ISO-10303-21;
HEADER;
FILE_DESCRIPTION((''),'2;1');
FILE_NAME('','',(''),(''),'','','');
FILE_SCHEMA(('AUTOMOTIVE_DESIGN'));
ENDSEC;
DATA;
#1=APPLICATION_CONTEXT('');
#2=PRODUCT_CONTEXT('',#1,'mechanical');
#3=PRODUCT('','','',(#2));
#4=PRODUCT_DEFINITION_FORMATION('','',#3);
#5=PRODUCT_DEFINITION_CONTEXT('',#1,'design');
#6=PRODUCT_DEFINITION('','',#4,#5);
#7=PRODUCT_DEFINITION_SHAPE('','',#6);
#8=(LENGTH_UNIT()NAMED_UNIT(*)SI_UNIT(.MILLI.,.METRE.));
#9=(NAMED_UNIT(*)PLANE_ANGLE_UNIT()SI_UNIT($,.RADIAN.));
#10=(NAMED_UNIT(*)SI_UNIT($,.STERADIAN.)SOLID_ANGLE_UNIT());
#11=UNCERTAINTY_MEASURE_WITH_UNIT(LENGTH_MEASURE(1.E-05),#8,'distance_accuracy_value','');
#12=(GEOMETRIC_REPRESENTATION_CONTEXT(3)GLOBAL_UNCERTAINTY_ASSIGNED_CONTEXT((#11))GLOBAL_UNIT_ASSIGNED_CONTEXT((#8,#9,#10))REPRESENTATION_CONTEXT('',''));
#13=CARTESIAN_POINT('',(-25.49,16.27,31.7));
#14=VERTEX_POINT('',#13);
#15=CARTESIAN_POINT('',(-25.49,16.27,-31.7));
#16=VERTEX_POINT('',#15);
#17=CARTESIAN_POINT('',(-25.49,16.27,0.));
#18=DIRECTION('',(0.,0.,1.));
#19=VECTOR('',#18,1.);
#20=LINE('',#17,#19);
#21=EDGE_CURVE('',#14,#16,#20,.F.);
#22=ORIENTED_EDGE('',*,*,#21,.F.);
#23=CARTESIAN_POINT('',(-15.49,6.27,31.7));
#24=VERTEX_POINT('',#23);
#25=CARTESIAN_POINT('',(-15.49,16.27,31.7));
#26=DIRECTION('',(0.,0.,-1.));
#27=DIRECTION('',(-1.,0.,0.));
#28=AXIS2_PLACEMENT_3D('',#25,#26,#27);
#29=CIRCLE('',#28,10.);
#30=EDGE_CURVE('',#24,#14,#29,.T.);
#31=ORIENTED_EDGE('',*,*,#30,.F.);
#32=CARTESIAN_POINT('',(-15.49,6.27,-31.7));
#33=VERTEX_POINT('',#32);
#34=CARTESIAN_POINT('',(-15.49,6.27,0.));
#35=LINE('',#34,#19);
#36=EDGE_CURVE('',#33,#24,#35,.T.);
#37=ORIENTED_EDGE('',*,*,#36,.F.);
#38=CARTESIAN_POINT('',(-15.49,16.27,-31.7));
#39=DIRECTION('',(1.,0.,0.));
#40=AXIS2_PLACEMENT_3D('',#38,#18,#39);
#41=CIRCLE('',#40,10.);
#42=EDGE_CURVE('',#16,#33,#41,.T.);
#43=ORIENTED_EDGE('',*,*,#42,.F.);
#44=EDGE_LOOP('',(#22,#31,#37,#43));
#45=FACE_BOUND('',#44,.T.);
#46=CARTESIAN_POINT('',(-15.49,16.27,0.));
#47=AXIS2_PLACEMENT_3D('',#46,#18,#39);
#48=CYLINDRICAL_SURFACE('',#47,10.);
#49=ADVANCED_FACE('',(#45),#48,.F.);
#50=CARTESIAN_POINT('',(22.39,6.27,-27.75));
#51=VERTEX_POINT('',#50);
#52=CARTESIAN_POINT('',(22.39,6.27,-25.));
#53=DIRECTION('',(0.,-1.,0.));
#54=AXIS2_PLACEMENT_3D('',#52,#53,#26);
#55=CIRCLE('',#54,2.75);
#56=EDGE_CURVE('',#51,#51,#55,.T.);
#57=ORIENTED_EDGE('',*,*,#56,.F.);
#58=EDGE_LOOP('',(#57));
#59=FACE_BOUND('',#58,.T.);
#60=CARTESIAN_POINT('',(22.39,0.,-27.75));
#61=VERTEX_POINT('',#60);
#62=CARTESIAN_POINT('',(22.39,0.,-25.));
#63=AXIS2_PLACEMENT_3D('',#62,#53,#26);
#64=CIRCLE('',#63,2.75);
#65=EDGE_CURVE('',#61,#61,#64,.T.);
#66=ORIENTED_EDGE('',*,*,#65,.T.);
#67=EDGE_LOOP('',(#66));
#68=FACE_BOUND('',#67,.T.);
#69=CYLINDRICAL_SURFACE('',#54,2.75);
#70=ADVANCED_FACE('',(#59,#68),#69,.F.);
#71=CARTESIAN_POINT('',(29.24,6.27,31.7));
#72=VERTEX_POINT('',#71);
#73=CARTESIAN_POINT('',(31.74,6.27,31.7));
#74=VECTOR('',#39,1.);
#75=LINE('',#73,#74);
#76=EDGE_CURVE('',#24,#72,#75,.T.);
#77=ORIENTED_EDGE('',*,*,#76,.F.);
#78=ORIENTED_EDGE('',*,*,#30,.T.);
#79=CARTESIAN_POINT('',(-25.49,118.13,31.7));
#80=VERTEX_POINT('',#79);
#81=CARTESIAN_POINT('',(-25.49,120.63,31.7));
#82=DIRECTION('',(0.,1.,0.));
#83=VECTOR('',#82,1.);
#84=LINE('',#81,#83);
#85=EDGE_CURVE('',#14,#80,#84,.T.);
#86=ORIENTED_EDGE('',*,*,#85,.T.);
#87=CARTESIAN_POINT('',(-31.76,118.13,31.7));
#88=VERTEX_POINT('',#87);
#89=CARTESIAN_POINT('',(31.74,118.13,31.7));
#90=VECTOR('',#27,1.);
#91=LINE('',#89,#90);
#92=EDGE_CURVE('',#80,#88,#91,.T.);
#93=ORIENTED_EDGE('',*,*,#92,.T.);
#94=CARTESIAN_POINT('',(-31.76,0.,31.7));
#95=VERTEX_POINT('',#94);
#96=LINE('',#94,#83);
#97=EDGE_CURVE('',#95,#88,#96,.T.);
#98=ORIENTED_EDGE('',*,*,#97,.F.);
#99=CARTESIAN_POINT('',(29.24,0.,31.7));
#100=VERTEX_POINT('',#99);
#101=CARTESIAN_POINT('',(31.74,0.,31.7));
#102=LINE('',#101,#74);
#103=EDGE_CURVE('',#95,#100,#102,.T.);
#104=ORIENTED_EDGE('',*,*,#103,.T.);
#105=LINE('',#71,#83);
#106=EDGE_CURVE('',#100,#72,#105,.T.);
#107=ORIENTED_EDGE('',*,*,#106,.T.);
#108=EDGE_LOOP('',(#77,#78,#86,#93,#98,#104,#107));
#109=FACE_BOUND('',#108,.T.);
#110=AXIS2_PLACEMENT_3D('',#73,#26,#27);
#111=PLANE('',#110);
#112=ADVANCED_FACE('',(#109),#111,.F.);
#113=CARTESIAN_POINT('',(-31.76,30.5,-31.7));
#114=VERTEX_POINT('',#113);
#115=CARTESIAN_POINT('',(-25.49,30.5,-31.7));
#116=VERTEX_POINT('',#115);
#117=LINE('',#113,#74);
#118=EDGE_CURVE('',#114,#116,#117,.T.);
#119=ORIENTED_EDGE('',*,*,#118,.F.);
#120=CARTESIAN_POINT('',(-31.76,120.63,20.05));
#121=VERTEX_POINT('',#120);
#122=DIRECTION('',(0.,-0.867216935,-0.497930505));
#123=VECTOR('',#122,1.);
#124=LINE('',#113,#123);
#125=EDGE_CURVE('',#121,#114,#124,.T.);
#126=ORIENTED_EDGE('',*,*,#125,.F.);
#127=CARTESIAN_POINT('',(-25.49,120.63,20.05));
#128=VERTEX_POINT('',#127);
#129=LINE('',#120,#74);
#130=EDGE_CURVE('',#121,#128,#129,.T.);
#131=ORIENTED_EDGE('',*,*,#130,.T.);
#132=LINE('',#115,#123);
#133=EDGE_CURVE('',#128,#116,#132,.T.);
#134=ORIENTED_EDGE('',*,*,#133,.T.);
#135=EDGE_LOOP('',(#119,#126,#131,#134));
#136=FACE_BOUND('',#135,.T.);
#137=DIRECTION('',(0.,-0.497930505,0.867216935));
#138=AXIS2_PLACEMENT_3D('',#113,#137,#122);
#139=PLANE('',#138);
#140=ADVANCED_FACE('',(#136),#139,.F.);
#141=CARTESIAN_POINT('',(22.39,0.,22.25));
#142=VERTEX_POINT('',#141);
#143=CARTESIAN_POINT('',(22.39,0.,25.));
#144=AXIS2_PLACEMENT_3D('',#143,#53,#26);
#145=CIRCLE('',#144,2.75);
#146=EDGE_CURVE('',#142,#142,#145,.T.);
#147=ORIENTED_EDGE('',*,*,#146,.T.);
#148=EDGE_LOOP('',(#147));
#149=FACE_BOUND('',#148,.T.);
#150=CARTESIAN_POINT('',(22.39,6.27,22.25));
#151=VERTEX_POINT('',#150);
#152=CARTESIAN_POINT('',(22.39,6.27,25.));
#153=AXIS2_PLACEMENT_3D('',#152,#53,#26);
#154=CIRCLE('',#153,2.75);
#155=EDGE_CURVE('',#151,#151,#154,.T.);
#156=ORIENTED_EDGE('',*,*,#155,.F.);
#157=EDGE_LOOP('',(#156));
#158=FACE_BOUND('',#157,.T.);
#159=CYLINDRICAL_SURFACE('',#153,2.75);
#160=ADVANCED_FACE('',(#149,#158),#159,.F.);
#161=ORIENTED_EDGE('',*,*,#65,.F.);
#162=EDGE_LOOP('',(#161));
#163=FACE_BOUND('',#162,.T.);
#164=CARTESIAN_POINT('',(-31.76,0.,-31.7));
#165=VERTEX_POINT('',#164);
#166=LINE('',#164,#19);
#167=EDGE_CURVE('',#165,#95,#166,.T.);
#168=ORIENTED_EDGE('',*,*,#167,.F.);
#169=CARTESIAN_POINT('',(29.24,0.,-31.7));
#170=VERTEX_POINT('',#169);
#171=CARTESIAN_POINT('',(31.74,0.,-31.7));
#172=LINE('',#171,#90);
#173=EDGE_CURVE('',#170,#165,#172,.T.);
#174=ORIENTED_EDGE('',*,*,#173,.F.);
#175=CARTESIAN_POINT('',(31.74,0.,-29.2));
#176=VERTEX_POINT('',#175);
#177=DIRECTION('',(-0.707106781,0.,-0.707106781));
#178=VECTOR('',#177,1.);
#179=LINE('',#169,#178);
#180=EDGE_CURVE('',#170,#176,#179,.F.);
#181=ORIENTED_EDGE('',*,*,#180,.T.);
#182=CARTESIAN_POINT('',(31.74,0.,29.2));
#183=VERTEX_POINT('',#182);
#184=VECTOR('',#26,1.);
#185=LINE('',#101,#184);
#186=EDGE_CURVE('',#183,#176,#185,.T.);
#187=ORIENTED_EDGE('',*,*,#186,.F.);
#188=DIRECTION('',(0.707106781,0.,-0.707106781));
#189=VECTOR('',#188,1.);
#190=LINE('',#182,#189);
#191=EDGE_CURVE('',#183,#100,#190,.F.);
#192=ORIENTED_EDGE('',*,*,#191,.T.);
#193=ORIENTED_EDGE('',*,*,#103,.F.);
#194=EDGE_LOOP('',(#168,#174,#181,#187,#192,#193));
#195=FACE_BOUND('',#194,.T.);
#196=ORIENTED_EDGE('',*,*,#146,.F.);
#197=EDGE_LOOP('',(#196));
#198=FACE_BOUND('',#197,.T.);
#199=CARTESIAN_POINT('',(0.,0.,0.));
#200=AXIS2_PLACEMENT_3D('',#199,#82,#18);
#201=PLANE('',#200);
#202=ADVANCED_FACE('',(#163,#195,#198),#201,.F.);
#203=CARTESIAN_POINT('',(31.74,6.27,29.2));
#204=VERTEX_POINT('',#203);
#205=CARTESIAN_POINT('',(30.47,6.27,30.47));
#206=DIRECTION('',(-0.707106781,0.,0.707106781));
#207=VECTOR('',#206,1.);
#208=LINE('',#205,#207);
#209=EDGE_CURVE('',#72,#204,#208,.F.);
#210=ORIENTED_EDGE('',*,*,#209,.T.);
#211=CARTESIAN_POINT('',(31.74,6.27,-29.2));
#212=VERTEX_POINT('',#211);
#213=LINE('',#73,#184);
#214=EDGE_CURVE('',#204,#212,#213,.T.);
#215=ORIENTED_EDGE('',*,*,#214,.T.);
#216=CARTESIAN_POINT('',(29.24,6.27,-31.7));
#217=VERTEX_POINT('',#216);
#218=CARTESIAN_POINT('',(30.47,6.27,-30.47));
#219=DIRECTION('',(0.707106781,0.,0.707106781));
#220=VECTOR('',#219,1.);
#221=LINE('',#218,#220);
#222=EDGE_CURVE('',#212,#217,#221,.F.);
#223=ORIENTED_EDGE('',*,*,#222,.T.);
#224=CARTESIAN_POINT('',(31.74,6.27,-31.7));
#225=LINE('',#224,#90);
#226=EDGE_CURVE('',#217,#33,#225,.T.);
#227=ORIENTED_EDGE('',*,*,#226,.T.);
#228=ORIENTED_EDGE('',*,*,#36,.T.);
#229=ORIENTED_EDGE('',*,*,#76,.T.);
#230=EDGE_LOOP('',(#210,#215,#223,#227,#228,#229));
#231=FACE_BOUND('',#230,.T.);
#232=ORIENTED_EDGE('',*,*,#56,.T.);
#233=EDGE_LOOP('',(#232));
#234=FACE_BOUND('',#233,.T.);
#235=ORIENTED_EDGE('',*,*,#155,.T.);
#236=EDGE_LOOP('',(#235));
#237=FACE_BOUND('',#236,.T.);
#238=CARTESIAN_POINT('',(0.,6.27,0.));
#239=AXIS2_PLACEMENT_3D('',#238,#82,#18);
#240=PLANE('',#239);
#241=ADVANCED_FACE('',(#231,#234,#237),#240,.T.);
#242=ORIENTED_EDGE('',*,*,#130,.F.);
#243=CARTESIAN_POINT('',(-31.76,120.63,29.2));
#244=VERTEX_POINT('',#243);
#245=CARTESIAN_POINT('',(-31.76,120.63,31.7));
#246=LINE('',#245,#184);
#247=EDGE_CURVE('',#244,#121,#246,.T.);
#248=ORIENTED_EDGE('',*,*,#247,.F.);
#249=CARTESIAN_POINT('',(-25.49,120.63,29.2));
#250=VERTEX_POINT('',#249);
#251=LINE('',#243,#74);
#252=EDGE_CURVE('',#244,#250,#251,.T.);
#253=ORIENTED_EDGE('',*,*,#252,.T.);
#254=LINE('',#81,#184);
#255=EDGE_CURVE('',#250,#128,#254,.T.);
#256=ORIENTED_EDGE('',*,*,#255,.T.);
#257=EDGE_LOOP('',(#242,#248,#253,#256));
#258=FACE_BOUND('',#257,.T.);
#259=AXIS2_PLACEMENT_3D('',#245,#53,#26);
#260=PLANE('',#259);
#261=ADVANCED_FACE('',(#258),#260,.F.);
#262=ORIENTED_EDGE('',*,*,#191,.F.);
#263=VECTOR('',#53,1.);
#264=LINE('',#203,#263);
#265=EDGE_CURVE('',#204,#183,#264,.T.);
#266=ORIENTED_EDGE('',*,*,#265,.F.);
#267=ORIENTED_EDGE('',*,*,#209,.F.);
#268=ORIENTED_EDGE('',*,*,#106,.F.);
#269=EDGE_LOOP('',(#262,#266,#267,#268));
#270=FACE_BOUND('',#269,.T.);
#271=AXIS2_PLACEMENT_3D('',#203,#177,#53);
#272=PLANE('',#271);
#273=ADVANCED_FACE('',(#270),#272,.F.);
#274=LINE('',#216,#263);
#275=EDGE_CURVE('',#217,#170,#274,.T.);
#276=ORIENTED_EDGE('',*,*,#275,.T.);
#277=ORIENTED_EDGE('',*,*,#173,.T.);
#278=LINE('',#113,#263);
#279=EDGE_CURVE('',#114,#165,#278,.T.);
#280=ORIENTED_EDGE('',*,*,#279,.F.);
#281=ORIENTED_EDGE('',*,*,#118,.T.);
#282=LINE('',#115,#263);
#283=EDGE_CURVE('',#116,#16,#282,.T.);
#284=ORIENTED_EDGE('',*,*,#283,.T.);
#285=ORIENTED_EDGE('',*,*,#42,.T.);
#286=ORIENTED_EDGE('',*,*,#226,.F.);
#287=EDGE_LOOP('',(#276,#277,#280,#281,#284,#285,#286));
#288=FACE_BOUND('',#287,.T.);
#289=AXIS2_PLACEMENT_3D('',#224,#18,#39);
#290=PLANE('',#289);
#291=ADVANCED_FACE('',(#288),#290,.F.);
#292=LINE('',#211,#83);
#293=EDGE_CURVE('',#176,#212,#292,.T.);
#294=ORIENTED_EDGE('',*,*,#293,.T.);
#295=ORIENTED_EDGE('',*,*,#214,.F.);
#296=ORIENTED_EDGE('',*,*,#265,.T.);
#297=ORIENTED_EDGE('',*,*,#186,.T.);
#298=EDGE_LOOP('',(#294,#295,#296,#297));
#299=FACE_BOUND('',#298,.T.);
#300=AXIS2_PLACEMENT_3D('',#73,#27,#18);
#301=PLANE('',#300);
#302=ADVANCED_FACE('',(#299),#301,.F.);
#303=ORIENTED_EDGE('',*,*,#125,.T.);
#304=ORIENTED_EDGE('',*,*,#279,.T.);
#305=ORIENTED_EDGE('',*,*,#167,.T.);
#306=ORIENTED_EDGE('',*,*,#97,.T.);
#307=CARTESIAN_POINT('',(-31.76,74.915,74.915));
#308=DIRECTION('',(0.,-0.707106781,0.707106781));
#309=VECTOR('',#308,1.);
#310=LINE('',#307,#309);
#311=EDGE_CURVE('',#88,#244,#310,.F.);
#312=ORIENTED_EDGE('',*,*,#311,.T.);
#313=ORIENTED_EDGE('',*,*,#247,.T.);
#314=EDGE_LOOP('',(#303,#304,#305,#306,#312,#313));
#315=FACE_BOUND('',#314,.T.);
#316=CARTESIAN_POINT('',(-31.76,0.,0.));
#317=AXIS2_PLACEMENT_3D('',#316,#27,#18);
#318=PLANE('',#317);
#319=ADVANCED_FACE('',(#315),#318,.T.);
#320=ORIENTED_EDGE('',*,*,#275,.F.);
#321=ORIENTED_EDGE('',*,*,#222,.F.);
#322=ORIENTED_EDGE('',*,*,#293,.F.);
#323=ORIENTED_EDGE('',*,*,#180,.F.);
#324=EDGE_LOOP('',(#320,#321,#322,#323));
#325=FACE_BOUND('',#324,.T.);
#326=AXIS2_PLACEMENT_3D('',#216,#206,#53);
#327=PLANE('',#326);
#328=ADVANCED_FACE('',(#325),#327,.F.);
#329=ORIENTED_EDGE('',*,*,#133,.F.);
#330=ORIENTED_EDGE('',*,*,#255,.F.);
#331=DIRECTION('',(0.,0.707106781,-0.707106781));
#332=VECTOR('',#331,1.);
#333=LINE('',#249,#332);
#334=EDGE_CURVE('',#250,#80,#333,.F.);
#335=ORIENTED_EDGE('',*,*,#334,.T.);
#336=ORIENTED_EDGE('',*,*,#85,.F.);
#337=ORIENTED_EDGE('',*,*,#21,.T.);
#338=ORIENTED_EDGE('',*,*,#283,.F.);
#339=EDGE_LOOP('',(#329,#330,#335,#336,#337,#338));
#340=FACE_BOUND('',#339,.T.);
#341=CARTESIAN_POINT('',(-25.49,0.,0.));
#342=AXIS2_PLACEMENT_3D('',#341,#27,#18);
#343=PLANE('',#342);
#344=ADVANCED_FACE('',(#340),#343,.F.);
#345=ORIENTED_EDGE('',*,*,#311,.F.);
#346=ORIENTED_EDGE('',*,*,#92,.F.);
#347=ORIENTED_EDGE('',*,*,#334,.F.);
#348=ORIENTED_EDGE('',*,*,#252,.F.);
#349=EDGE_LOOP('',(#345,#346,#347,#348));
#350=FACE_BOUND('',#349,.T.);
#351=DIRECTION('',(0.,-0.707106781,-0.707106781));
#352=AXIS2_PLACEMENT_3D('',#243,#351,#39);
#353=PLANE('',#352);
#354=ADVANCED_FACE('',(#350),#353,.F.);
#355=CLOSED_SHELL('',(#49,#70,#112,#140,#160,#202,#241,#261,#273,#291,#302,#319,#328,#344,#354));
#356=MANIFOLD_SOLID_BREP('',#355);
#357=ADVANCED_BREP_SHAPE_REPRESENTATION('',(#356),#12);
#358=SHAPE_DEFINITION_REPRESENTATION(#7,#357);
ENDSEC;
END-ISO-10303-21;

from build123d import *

# Parameters (mm, degrees)
ESBO_O1_W                = 63.48
ESBO_O1_H                = 63.4
RESSALTO_EXTRUS_O1_DEPTH = 6.27
CHANFRO1_SIZE            = 2.5
RESSALTO_EXTRUS_O2_DEPTH = 6.27
CHANFRO2_SIZE            = 2.5
FILETE1_R                = 10
ESBO_O3_R                = 2.75
CORTE_EXTRUS_O1_DEPTH    = 6.27


with BuildPart() as part:
    # Esboço1 → Ressalto-extrusão1 (new body)
    with BuildSketch(Plane(origin=(0, 0, 0), x_dir=(1, 0, 0), z_dir=(0, 1, 0))):
        Rectangle(ESBO_O1_W, ESBO_O1_H)
    extrude(amount=RESSALTO_EXTRUS_O1_DEPTH)

    # Chanfro1
    chanfro1_edges = [part.edges().sort_by_distance(p)[0] for p in [
        (31.74, 3.135, -31.7),
        (31.74, 3.135, 31.7),
    ]]
    chamfer(chanfro1_edges, length=CHANFRO1_SIZE)

    # Esboço2 → Ressalto-extrusão2 (add)
    with BuildSketch(Plane.ZY.offset(25.49)):
        Polygon((-31.7, 30.5), (-31.7, 0), (31.7, 0), (31.7, 30.5), (31.7, 120.63), (20.05, 120.63), align=None)
    extrude(amount=RESSALTO_EXTRUS_O2_DEPTH)

    # Chanfro2
    chanfro2_edges = [part.edges().sort_by_distance(p)[0] for p in [
        (-28.625, 120.63, 31.7),
    ]]
    chamfer(chanfro2_edges, length=CHANFRO2_SIZE)

    # Filete1
    filete1_edges = [part.edges().sort_by_distance(p)[0] for p in [
        (-25.49, 6.27, 0),
    ]]
    fillet(filete1_edges, radius=FILETE1_R)

    # Esboço3 → Corte-extrusão1 (cut)
    with BuildSketch(Plane(origin=(0, 0, 0), x_dir=(-1, 0, 0), z_dir=(0, -1, 0))):
        with Locations((-22.39, -25)):
            Circle(ESBO_O3_R)
        with Locations((-22.39, 25)):
            Circle(ESBO_O3_R)
    extrude(amount=-CORTE_EXTRUS_O1_DEPTH, mode=Mode.SUBTRACT)


solid = part.part
